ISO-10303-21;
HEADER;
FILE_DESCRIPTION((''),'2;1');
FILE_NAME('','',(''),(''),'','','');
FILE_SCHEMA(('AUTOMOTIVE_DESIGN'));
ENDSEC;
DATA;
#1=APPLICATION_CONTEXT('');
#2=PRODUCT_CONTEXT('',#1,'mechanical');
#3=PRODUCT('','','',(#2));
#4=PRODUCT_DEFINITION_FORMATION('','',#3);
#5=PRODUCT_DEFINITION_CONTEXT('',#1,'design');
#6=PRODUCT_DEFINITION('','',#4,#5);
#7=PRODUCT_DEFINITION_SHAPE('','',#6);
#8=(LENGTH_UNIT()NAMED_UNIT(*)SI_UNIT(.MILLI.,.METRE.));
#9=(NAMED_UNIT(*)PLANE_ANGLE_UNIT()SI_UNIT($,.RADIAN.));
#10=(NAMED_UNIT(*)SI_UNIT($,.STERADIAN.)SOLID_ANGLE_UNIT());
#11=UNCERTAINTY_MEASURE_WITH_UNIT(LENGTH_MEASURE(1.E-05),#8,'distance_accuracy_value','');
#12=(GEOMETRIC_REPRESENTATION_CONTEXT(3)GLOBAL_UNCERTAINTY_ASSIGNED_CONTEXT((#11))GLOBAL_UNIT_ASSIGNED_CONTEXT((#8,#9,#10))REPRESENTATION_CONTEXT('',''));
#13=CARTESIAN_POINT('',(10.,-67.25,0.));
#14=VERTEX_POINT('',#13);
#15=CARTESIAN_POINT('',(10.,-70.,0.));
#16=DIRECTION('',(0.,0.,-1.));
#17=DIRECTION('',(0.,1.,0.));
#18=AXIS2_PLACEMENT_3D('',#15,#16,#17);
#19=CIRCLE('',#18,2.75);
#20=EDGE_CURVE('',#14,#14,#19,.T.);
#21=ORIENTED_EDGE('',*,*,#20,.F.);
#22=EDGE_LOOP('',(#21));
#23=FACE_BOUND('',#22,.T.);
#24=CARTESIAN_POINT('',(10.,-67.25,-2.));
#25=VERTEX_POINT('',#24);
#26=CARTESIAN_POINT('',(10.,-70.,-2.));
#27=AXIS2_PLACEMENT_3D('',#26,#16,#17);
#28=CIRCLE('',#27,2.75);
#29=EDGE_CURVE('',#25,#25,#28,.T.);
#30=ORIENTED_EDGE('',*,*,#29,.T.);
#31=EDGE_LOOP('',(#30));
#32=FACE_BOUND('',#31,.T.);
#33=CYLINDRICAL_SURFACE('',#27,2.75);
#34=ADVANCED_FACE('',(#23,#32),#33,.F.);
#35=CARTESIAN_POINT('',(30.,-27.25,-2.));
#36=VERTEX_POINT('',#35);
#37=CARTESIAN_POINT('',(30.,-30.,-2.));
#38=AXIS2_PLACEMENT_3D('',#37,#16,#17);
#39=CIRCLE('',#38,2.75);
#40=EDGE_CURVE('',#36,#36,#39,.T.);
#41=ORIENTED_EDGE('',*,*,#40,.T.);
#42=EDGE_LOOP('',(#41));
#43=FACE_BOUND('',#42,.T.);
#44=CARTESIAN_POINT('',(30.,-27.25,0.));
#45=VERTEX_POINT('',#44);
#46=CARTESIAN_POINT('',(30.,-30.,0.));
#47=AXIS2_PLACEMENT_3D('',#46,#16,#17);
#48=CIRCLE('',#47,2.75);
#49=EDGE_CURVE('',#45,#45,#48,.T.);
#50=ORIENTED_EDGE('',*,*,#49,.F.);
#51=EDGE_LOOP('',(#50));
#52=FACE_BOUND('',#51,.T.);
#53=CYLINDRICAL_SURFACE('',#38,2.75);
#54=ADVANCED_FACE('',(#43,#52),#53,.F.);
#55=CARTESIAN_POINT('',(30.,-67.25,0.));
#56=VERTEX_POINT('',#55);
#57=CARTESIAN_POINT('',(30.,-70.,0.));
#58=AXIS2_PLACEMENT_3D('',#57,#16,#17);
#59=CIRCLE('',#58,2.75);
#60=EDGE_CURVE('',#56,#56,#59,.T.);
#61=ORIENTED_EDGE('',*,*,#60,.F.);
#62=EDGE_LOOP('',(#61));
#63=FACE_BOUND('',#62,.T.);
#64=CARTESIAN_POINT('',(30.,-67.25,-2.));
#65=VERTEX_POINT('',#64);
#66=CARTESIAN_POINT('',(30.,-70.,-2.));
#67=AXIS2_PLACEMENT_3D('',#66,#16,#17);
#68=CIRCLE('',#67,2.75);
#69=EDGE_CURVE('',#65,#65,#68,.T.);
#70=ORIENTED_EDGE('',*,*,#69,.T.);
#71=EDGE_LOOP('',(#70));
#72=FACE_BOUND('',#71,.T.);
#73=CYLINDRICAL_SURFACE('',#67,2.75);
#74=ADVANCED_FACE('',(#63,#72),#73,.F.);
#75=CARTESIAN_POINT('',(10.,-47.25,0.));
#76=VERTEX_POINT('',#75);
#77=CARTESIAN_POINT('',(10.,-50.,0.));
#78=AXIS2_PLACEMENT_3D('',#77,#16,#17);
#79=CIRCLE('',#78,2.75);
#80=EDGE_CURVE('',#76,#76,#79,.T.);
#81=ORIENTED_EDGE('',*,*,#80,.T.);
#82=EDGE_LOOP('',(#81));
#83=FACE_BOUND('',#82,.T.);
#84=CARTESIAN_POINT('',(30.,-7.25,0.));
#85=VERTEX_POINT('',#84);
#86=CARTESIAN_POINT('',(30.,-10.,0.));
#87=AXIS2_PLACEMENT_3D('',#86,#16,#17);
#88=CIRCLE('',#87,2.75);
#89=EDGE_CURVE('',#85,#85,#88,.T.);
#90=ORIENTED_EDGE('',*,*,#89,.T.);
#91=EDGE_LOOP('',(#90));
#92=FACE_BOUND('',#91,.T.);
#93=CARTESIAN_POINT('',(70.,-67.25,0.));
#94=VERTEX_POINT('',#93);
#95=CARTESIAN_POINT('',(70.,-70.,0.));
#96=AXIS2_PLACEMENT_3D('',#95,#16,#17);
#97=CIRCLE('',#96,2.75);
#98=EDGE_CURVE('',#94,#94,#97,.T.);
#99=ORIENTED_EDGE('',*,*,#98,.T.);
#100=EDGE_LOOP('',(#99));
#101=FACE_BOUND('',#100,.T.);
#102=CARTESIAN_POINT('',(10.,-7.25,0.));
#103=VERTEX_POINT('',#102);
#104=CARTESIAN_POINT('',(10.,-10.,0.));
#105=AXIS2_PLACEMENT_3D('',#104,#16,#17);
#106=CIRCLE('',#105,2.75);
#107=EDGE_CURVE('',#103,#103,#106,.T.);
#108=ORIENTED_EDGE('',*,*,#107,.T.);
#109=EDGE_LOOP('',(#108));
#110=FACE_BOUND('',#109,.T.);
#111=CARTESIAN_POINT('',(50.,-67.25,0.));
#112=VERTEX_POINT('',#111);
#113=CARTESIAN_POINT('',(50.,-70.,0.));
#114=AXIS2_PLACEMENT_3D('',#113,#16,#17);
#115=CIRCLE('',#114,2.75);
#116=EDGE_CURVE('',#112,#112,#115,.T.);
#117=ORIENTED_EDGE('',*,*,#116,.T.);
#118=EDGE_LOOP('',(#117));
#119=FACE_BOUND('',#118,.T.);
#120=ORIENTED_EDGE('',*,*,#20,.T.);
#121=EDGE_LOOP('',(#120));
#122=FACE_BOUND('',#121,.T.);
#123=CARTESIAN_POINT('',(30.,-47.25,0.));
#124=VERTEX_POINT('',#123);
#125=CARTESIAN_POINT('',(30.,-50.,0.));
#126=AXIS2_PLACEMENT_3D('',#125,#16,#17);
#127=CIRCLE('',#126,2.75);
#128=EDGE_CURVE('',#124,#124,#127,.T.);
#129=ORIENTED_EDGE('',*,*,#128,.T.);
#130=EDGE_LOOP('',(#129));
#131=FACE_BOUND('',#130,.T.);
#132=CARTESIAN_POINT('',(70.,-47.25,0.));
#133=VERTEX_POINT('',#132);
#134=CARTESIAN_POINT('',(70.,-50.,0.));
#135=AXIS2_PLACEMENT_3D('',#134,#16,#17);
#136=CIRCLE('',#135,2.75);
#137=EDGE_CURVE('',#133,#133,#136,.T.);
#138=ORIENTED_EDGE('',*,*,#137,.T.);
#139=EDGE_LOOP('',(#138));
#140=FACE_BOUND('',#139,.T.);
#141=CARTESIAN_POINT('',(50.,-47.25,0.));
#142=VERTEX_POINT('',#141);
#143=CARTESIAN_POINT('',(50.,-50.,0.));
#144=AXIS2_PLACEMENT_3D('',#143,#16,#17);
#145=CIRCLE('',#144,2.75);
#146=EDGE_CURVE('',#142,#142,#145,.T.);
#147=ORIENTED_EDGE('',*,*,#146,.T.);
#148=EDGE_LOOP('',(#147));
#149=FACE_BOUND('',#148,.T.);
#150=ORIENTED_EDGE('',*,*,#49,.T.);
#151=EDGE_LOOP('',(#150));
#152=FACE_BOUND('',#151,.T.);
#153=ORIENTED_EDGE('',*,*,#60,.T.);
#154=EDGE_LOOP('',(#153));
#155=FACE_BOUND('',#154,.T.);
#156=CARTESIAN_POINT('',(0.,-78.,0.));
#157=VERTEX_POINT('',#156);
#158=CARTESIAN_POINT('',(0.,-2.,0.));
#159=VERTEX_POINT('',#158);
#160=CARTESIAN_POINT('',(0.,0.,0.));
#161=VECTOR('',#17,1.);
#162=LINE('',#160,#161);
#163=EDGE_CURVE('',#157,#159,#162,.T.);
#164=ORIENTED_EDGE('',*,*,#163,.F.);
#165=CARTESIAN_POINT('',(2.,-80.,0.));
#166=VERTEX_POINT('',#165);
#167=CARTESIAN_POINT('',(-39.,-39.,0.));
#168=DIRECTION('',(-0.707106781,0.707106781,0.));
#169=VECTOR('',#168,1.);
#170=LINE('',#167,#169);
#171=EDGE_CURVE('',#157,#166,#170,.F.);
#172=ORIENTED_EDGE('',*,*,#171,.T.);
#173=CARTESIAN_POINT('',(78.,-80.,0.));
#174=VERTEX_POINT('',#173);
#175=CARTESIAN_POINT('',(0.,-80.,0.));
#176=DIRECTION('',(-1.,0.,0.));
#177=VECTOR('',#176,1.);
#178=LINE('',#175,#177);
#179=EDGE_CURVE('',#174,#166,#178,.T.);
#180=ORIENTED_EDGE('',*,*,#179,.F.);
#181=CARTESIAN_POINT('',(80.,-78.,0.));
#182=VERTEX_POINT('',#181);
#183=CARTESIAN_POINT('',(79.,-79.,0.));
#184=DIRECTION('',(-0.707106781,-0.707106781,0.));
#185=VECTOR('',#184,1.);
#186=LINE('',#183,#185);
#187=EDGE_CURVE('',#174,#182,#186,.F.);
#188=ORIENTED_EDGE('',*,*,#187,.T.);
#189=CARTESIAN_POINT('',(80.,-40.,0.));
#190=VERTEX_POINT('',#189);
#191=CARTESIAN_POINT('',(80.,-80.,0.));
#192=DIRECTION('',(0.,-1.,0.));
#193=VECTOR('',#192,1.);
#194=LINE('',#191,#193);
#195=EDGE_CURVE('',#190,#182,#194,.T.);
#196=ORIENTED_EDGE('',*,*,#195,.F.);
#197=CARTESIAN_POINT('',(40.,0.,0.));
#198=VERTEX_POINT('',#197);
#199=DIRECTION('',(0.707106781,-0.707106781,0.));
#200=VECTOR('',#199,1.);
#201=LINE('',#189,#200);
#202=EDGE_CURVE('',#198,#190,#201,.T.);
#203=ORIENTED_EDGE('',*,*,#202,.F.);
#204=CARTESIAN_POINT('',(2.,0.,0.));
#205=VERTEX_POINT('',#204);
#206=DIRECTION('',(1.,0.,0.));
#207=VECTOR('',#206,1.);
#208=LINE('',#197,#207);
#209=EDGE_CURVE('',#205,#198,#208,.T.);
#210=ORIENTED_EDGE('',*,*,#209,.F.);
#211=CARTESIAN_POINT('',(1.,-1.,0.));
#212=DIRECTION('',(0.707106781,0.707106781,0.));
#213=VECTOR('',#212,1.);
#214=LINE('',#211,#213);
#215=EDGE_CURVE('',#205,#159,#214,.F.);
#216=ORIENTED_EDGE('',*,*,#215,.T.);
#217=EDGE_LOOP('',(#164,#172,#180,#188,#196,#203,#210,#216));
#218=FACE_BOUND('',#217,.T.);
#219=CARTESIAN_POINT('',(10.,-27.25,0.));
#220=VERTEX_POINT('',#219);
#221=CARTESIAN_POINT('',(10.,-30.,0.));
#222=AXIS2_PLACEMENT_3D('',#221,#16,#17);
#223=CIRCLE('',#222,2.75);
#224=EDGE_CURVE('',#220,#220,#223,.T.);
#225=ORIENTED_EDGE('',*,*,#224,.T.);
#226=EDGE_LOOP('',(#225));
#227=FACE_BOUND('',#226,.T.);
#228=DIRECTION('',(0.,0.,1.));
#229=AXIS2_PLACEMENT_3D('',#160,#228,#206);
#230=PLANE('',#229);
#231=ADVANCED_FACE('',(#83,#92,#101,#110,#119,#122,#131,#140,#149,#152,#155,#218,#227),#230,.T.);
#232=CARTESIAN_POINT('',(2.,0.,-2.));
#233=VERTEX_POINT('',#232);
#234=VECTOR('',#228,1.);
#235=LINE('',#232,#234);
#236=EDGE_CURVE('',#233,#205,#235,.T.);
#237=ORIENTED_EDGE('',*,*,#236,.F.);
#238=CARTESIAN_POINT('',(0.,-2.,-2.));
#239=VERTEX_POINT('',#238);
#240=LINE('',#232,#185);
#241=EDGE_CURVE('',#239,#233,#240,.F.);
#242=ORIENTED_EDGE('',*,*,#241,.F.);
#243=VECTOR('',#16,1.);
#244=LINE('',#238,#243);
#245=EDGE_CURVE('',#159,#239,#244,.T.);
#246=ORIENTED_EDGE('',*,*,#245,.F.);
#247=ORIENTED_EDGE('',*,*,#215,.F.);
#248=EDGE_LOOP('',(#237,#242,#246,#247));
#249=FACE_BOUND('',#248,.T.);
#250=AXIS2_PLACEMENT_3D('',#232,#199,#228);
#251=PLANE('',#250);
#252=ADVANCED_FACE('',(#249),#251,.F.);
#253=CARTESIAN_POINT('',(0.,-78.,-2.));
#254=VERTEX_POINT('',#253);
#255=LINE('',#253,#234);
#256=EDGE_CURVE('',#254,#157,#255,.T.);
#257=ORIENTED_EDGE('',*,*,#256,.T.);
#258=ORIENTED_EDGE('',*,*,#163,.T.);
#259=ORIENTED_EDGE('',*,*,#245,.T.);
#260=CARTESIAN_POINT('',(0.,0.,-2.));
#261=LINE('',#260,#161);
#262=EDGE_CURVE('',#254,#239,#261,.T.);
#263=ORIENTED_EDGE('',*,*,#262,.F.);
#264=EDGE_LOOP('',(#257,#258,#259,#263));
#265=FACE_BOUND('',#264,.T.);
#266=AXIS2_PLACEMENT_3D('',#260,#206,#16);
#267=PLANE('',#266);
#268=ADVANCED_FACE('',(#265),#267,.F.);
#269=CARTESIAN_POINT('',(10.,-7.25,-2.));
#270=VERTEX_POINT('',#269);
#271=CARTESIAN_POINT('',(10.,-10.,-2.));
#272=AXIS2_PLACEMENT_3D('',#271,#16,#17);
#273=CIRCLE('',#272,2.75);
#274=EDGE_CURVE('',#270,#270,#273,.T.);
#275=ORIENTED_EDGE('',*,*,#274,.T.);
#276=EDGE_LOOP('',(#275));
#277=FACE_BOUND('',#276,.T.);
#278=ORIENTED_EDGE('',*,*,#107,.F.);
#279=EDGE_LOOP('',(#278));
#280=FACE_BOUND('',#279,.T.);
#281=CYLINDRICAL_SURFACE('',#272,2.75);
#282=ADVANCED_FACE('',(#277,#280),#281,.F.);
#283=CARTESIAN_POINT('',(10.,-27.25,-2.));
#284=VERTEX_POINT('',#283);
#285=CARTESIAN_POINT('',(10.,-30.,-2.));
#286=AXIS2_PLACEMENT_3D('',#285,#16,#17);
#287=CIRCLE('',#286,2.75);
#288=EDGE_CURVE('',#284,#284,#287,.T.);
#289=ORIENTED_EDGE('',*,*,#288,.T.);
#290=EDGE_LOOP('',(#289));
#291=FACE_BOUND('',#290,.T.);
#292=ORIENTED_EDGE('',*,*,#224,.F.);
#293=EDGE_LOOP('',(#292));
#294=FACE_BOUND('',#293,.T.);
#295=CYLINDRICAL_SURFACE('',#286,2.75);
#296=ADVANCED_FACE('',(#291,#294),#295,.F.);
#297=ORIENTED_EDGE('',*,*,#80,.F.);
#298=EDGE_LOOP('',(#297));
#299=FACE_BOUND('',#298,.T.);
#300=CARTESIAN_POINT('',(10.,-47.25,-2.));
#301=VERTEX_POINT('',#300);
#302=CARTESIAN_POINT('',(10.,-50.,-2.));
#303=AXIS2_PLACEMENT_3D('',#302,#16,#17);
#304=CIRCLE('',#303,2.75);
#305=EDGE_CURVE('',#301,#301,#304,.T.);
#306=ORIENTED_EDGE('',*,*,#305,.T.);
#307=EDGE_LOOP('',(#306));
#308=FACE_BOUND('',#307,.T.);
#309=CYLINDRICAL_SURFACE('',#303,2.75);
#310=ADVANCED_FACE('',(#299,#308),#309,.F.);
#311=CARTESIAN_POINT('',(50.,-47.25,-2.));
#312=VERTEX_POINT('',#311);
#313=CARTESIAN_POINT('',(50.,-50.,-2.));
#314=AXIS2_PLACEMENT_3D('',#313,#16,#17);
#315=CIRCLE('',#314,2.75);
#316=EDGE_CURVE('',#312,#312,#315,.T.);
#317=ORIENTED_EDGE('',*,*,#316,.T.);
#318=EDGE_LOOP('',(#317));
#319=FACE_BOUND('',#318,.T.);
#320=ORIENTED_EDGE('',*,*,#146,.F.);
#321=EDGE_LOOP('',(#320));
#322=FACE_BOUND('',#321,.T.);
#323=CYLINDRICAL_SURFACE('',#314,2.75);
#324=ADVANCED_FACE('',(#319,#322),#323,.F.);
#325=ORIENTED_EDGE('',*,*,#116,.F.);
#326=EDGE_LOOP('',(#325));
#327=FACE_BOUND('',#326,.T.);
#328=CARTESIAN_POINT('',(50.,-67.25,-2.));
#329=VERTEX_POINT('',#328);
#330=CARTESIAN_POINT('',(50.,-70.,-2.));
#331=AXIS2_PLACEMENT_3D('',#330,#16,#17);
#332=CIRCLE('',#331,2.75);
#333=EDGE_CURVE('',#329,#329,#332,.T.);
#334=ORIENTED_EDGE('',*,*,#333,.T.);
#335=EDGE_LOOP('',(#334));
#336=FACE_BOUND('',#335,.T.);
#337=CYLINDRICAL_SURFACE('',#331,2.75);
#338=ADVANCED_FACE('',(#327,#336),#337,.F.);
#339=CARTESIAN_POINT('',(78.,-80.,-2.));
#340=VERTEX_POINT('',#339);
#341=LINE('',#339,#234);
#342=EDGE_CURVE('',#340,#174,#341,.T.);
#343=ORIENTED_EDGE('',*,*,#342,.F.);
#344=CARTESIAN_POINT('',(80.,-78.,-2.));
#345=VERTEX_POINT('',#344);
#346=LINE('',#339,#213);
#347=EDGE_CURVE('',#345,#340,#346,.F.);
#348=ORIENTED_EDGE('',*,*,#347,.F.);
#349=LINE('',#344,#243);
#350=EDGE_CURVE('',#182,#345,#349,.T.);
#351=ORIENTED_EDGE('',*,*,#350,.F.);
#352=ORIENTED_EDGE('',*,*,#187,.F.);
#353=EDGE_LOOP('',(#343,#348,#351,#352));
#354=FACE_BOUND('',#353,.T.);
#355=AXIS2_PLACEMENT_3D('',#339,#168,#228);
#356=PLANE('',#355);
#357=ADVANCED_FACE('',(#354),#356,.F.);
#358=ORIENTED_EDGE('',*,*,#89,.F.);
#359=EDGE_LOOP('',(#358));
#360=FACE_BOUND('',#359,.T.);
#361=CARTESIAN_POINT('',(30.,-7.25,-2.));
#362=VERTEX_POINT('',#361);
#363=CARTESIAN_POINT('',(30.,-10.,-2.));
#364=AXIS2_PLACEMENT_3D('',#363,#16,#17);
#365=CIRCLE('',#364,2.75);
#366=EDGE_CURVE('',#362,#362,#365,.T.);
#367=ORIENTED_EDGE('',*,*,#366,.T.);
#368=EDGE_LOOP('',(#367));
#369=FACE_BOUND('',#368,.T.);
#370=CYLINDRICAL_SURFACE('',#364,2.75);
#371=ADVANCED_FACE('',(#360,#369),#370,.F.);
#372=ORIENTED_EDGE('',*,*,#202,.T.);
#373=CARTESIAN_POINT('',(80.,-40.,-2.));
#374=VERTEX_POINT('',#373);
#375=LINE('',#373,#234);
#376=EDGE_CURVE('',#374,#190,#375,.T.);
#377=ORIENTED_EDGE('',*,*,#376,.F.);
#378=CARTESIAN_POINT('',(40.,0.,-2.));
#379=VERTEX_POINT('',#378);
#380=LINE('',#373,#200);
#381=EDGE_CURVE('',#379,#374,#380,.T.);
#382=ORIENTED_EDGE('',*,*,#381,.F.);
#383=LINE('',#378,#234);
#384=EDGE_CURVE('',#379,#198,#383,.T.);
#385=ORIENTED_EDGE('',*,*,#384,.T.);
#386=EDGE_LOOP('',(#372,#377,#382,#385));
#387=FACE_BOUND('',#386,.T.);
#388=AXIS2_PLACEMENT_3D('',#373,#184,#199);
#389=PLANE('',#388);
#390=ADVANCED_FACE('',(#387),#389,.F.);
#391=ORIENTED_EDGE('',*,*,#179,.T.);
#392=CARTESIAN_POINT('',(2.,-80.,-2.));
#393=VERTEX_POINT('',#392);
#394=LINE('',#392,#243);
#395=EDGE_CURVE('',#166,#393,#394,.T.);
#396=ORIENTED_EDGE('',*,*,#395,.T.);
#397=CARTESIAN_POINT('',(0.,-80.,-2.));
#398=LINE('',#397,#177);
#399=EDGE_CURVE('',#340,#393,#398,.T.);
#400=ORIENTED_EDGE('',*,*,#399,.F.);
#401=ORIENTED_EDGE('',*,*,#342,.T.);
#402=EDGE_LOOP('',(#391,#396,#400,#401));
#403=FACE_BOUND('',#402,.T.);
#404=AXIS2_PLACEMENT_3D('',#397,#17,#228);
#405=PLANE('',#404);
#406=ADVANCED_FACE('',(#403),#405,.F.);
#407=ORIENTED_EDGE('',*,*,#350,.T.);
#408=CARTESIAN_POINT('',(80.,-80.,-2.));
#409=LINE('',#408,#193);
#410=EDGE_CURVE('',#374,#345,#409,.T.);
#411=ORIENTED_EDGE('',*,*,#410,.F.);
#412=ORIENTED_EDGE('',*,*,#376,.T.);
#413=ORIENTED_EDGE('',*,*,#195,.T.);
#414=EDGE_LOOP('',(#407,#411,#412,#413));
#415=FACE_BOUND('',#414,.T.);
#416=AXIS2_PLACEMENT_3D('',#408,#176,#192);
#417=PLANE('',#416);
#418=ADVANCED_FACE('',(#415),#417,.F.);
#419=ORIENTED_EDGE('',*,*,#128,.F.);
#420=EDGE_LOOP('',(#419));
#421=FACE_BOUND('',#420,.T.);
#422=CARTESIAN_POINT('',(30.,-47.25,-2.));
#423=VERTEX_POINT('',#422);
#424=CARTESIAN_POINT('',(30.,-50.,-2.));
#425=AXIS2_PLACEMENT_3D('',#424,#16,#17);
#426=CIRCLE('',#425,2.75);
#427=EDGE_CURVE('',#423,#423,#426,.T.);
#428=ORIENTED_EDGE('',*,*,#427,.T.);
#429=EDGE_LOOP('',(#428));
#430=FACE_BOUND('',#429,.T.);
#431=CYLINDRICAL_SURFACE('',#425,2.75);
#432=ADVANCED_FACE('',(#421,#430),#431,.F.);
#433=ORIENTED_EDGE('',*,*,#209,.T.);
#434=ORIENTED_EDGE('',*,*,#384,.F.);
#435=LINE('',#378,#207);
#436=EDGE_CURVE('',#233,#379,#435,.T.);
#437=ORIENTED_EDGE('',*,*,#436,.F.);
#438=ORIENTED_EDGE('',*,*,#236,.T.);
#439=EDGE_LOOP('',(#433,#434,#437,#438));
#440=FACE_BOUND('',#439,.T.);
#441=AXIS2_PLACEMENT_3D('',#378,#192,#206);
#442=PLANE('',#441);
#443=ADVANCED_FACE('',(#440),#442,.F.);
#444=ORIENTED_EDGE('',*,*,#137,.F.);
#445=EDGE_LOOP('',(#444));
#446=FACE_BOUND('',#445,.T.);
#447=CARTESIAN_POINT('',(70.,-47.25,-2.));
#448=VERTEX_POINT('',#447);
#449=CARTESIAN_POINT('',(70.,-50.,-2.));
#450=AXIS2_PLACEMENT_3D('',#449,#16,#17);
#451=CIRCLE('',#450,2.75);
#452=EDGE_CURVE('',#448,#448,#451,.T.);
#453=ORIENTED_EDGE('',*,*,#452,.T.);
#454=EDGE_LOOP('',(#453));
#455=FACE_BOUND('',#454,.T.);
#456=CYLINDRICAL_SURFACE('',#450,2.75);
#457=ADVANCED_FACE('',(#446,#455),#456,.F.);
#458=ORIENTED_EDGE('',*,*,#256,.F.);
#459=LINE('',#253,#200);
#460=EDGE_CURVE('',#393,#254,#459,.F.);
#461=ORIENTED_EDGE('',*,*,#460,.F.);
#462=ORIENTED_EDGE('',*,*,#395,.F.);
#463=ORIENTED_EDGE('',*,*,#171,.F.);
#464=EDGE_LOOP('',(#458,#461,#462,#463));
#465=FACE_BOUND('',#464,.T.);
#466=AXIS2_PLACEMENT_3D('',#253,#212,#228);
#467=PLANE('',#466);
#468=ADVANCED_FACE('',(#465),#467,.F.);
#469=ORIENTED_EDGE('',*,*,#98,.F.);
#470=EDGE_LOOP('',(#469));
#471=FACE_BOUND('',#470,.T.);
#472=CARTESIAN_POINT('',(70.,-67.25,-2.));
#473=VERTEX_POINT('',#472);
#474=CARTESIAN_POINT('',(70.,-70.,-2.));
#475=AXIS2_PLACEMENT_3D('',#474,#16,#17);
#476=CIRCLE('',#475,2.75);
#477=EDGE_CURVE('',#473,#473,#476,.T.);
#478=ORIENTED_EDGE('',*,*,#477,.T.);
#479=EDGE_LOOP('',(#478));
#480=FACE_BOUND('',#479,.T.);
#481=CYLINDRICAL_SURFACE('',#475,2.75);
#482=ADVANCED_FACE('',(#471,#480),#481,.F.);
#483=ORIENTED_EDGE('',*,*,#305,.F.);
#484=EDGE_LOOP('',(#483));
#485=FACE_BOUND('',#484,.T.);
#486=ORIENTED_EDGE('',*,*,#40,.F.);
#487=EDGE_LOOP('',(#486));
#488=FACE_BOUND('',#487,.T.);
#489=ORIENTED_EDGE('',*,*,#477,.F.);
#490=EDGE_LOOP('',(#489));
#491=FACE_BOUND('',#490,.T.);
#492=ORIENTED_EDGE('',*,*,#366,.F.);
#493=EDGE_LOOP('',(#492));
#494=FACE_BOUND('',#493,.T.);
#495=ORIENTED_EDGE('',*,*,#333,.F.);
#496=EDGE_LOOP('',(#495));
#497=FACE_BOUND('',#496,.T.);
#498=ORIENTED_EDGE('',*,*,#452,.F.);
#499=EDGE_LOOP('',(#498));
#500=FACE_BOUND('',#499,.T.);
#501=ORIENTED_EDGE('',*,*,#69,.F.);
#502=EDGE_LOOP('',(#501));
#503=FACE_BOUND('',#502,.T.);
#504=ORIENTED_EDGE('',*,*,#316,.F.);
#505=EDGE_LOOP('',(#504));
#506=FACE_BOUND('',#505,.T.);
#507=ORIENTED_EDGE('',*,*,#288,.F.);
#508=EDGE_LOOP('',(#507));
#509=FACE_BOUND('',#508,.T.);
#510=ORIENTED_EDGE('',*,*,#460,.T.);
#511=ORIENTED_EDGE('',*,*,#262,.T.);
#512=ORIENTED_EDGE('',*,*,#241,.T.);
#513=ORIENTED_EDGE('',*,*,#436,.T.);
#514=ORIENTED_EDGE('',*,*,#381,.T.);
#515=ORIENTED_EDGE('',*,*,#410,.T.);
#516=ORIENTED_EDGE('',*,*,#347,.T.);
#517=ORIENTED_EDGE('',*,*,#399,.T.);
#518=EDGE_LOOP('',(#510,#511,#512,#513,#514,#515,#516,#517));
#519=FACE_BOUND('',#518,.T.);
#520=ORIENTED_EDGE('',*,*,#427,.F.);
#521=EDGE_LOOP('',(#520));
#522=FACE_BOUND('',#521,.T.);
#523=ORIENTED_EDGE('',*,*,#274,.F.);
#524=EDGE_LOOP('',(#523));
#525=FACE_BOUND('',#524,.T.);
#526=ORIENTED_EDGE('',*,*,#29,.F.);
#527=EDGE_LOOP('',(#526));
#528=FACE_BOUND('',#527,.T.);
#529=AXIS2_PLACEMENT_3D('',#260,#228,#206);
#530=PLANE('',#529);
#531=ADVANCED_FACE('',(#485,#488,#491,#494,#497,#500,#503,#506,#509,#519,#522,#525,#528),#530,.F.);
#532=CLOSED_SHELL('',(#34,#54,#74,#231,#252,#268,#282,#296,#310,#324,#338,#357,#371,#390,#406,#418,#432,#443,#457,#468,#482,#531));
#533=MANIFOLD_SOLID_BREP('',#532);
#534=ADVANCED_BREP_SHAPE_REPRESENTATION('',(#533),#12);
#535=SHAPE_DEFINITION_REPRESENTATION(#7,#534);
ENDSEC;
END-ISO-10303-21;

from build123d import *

# Parameters (mm, degrees)
EXTRUDE_1_DEPTH   = 2
HOLE_WIZARD_M51_D = 5.5
CHAMFER_1_SIZE    = 2


with BuildPart() as part:
    # Эскиз1 → Бобышка-Вытянуть1 (new body)
    with BuildSketch(Plane(origin=(0, 0, 0), x_dir=(1, 0, 0), z_dir=(0, 0, -1))):
        Polygon((0, 0), (0, 80), (80, 80), (80, 40), (40, 0), align=None)
    extrude(amount=EXTRUDE_1_DEPTH)

    # Отверстие с зазором M51 (through all)
    with Locations(Plane(origin=(0, 0, -2), x_dir=(1, 0, 0), z_dir=(0, 0, -1))):
        with Locations((10, 70), (10, 50), (10, 30), (10, 10), (30, 70), (30, 50), (30, 30), (30, 10), (50, 70), (50, 50), (70, 70), (70, 50)):
            Hole(HOLE_WIZARD_M51_D / 2)

    # Фаска1
    chamfer_1_edges = [part.edges().sort_by_distance(p)[0] for p in [
        (0, 0, -1),
        (0, -80, -1),
        (80, -80, -1),
    ]]
    chamfer(chamfer_1_edges, length=CHAMFER_1_SIZE)


solid = part.part
